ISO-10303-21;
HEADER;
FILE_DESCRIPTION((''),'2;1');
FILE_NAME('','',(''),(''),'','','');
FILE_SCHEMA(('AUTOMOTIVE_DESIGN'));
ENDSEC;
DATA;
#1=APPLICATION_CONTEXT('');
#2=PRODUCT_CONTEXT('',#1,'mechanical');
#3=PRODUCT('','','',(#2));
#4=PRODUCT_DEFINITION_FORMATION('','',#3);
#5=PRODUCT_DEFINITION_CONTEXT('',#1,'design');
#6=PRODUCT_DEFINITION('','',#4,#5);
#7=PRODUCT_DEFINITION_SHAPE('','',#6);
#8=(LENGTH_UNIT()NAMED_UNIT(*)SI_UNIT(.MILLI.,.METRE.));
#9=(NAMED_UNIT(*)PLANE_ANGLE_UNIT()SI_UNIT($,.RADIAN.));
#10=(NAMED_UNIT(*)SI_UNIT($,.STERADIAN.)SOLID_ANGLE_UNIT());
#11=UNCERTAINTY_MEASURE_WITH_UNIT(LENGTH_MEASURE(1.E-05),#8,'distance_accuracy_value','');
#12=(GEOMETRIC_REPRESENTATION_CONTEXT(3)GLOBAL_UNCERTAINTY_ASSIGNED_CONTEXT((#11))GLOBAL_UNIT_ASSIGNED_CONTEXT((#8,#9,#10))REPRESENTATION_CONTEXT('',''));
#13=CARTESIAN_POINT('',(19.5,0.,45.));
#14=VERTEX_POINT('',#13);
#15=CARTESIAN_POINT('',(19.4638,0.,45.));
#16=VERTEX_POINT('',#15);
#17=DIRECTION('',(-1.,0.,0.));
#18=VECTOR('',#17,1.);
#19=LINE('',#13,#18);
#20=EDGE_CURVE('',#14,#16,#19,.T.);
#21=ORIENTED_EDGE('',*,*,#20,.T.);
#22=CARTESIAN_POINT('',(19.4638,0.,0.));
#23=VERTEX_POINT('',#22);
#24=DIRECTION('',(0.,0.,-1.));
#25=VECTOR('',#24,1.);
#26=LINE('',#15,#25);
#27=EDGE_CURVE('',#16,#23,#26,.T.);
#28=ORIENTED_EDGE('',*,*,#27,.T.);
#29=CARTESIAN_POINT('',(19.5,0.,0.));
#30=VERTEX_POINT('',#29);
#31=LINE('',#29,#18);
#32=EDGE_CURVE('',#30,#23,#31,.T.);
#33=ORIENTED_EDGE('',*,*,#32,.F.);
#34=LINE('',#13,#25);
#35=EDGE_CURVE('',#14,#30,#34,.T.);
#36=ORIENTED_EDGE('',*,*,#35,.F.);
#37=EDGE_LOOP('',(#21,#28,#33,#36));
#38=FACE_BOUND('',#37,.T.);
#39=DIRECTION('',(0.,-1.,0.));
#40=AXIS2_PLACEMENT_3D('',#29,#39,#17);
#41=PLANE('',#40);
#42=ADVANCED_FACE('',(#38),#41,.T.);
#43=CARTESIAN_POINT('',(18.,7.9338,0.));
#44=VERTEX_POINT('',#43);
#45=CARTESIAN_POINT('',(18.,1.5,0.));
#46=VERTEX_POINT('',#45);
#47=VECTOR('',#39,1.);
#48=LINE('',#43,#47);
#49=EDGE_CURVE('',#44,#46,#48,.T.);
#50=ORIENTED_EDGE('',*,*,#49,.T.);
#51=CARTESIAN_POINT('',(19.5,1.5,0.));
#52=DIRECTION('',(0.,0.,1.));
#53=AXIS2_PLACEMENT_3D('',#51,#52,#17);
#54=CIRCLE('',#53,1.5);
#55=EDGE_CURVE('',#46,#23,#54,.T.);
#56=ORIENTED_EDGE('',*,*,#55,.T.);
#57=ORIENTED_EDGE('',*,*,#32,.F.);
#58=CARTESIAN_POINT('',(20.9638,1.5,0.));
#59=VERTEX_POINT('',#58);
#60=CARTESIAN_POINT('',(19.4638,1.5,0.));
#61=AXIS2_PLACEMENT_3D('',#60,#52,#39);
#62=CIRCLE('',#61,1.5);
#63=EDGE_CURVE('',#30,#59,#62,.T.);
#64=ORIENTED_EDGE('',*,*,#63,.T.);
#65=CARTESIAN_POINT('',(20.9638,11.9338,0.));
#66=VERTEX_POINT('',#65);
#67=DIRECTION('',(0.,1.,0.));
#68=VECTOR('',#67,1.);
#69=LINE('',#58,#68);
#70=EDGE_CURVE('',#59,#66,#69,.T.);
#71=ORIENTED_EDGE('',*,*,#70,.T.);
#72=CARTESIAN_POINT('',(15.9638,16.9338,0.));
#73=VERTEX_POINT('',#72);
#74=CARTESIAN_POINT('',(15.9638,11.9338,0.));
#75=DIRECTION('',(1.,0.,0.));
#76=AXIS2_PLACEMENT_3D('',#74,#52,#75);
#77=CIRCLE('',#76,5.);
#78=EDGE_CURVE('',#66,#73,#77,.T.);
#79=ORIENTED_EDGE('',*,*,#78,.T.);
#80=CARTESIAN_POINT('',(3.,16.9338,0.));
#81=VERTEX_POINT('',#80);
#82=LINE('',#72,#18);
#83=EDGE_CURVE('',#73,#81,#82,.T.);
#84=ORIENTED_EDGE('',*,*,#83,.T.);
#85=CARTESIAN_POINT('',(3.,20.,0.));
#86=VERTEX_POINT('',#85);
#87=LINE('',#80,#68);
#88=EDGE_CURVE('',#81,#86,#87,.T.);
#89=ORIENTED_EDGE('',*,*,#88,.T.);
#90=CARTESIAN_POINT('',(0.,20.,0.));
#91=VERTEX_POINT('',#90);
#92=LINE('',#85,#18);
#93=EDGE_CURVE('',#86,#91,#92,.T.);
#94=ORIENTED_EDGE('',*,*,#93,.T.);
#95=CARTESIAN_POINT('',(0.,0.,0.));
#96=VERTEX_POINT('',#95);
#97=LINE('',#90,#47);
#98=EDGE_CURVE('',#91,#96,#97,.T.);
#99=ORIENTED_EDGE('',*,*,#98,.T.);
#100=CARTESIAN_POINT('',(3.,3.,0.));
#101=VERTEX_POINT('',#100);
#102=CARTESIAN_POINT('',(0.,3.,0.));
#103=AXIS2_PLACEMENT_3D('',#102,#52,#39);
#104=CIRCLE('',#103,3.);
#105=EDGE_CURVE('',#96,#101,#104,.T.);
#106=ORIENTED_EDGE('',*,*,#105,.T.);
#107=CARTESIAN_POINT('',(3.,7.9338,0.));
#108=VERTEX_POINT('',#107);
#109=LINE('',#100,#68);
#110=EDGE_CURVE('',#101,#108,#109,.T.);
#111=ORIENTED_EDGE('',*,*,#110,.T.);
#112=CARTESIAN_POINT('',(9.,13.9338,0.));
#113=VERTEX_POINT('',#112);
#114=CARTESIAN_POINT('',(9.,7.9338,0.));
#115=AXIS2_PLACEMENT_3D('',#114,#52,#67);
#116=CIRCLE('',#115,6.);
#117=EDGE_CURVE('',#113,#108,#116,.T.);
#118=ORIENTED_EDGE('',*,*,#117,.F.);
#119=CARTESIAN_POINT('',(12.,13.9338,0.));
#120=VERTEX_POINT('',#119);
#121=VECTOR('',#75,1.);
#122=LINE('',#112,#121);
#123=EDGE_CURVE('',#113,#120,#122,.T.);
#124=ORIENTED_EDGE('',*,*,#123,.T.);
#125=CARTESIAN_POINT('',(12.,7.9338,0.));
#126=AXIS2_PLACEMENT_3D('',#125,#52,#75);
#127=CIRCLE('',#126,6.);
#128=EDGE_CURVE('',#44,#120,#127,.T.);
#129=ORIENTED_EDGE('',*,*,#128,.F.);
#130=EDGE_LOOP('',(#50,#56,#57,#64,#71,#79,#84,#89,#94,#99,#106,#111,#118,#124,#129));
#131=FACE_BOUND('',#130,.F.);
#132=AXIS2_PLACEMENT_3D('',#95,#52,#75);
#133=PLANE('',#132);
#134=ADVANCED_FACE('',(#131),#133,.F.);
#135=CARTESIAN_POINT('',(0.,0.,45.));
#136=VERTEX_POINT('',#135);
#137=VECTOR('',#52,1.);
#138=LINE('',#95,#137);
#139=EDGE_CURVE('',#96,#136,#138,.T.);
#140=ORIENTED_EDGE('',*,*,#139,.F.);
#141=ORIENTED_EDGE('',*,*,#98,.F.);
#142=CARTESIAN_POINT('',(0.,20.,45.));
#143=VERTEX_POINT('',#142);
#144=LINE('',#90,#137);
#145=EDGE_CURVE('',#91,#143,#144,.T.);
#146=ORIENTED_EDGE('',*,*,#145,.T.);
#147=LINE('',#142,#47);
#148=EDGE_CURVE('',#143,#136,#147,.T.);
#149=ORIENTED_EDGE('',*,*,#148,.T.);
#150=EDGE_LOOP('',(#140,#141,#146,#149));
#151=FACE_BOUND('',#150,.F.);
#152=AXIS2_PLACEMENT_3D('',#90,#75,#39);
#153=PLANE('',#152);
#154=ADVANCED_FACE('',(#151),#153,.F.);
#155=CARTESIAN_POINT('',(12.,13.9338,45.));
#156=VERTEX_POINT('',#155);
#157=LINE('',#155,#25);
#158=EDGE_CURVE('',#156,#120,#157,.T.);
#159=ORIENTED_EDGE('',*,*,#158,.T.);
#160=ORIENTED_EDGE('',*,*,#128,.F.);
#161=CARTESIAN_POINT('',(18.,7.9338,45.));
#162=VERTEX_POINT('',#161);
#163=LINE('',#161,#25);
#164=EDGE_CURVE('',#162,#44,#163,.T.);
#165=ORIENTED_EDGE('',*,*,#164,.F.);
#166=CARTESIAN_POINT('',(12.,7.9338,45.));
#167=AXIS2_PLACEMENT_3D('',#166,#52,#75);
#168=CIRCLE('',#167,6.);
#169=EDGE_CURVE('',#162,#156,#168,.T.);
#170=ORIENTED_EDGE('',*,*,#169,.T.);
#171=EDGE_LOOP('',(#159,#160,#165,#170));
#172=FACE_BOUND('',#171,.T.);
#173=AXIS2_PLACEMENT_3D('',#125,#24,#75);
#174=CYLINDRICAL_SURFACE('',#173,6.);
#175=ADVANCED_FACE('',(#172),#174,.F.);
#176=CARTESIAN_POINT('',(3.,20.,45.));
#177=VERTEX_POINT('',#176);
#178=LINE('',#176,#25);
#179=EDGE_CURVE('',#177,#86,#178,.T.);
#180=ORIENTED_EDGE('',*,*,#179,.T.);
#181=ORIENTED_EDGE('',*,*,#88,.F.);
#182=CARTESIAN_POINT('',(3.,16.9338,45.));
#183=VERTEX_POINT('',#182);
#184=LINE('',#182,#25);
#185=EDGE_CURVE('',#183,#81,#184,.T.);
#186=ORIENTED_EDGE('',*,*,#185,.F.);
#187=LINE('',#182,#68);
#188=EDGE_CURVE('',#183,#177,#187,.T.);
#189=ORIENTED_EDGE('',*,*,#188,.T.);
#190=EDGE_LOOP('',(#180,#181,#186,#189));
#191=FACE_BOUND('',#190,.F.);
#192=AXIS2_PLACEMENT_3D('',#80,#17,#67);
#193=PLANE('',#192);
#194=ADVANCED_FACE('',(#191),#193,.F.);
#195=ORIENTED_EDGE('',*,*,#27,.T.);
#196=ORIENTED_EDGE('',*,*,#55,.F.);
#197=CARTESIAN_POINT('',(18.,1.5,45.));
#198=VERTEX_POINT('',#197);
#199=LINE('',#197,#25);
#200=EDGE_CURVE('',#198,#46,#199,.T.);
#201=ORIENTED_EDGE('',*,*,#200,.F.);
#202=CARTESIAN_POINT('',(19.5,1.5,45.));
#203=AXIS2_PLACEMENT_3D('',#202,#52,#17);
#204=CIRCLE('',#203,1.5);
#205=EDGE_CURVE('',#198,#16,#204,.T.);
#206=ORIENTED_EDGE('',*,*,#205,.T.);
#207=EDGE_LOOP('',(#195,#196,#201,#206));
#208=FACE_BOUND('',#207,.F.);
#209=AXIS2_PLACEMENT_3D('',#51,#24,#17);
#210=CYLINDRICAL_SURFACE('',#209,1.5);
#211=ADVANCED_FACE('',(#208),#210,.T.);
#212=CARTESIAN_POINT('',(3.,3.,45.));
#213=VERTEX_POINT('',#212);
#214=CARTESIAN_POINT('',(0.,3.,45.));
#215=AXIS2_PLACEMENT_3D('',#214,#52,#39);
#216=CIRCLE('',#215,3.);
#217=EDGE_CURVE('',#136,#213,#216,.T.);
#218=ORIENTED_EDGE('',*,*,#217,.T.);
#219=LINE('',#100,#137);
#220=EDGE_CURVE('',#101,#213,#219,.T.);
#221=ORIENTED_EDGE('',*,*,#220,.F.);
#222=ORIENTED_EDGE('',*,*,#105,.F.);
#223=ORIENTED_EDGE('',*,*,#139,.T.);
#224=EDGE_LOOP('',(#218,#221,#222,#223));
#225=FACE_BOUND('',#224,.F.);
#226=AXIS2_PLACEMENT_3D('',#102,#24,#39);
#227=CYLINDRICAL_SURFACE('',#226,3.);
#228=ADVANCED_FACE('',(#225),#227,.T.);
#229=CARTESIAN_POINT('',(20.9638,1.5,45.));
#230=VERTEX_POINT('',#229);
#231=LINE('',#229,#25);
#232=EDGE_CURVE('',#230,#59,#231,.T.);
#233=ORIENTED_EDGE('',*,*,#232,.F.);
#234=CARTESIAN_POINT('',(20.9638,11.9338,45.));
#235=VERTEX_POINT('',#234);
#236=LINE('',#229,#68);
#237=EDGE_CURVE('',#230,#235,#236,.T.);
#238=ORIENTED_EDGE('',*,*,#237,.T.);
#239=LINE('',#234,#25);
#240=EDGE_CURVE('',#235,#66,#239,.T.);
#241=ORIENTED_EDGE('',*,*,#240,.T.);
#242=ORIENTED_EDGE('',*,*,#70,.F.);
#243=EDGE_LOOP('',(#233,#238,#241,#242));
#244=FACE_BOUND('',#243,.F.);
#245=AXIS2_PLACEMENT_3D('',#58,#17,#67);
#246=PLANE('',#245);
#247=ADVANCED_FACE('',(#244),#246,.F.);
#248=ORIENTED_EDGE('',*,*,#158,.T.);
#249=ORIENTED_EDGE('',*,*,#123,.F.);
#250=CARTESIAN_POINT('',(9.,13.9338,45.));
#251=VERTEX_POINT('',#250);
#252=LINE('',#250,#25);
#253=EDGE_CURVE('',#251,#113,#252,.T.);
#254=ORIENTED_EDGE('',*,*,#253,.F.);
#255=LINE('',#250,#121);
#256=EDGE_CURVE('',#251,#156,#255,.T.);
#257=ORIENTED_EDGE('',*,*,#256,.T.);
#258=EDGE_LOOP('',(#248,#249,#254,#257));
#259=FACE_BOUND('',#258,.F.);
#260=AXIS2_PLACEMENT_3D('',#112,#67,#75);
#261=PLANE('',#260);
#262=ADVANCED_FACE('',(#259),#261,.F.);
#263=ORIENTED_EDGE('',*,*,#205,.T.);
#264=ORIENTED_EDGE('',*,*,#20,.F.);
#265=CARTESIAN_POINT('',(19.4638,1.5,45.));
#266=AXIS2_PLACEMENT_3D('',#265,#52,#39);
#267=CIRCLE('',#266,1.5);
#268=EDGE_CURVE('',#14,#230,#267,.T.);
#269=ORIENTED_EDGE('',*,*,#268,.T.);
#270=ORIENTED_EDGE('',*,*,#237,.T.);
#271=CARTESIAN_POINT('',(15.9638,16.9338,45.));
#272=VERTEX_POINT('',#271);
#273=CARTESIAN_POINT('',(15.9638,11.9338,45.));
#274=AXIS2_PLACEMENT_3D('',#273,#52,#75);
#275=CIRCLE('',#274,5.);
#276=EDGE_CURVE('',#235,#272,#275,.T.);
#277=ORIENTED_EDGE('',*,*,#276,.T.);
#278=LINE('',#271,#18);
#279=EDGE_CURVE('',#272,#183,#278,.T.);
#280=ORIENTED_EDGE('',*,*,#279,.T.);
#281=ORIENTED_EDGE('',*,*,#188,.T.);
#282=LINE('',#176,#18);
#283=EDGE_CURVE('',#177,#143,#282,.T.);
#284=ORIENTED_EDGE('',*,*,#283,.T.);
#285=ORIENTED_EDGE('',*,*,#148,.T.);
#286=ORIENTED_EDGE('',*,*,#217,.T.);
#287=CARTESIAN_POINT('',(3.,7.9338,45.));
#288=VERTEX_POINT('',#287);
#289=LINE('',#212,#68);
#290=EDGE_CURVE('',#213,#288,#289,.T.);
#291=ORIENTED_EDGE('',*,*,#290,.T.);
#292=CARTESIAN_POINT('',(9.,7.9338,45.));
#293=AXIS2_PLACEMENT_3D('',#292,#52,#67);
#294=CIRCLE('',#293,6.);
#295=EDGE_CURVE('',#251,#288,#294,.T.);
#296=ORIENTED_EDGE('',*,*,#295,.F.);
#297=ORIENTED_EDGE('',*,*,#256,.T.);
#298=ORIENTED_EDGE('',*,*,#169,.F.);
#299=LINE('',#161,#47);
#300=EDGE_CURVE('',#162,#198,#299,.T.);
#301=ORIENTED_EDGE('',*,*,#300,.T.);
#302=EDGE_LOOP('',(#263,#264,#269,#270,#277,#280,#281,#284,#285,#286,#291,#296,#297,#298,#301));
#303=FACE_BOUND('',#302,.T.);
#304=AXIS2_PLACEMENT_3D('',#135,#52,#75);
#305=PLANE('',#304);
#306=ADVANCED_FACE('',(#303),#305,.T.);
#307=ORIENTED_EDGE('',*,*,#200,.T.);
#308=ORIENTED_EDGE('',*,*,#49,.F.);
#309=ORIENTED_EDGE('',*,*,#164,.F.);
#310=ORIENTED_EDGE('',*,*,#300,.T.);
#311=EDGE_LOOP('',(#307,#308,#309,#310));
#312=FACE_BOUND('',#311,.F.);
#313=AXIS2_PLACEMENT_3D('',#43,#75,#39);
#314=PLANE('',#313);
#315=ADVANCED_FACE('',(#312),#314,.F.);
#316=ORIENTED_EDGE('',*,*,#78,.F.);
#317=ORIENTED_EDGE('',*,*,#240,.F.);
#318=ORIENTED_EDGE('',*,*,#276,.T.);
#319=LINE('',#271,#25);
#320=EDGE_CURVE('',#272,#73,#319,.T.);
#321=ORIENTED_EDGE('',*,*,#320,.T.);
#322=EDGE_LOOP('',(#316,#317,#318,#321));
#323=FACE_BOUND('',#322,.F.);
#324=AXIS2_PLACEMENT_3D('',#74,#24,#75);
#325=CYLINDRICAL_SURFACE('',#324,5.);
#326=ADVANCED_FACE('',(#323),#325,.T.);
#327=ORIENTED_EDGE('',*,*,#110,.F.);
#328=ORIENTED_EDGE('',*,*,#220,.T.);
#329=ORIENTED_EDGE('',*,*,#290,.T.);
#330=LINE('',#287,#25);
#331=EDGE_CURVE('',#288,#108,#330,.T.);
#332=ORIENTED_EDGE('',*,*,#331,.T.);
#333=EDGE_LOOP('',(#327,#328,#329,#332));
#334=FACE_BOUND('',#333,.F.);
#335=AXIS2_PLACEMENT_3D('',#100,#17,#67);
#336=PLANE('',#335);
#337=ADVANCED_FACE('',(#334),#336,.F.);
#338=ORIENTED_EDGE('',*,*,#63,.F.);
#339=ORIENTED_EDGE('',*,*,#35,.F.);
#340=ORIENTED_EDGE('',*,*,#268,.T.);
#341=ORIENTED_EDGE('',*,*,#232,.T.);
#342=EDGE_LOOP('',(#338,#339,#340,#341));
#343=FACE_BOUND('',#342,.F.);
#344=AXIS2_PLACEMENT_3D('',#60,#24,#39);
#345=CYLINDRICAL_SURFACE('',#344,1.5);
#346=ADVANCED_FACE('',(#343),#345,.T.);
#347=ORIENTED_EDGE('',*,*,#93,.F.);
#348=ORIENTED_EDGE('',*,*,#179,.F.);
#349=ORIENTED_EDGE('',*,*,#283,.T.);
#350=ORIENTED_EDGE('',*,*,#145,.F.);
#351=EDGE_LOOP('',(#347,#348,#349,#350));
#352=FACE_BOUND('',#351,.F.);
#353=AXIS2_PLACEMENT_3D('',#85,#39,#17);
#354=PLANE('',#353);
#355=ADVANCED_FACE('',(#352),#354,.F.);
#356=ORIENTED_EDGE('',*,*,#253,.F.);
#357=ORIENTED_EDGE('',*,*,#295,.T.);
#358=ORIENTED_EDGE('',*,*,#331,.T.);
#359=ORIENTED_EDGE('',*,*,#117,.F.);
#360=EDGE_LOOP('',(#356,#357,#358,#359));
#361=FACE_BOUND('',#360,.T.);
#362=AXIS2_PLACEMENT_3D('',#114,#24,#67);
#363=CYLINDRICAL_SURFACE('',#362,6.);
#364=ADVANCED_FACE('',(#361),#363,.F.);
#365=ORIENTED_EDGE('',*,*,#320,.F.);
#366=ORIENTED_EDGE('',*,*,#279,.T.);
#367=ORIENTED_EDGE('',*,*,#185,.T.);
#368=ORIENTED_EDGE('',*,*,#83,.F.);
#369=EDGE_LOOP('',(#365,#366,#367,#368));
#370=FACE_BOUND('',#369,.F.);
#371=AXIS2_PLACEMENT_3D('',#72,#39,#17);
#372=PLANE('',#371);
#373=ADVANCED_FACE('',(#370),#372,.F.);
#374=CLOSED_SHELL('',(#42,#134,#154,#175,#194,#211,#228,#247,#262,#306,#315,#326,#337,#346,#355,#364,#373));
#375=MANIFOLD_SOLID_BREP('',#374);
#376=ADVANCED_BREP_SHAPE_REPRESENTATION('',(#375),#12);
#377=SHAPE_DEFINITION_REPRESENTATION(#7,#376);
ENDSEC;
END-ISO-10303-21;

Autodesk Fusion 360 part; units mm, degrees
sketch "Sketch1" plane through (0, 0, 0) normal (0, 0, 1) x (1, 0, 0)
  line L0 (0, 20) -> (0, 0)
  line L1 (0, 0) -> (0, 0)
  line L2 (3, 3) -> (3, 7.9338)
  line L3 (9, 13.9338) -> (12, 13.9338)
  line L4 (18, 7.9338) -> (18, 1.5)
  line L5 (19.5, 0) -> (19.4638, 0)
  line L6 (20.9638, 1.5) -> (20.9638, 11.9338)
  line L7 (15.9638, 16.9338) -> (3, 16.9338)
  line L8 (3, 16.9338) -> (3, 20)
  line L9 (3, 20) -> (0, 20)
  arc A0 (20.9638, 11.9338) -> (15.9638, 16.9338) centre (15.9638, 11.9338) ccw
  arc A1 (18, 7.9338) -> (12, 13.9338) centre (12, 7.9338) ccw
  arc A2 (18, 1.5) -> (19.5, 0) centre (19.5, 1.5) ccw
  arc A3 (19.4638, 0) -> (20.9638, 1.5) centre (19.4638, 1.5) ccw
  arc A4 (9, 13.9338) -> (3, 7.9338) centre (9, 7.9338) ccw
  arc A5 (0, 0) -> (3, 3) centre (0, 3) ccw
  dimension "d1" = 5
  dimension "d2" = 6
  dimension "d3" = 1.5
  dimension "d4" = 1.5
  dimension "d5" = 3
  dimension "d6" = 3
  dimension "d7" = 2.9638
  dimension "d9" = 6
  dimension "d10" = 3
  dimension "d11" = 15
  dimension "d13" = 20
extrude "Extrude1" add sketch "Sketch1" along normal blind 5
extrude "Extrude2" add 1 faces at (1.0204, 9.5959, 5) along direction (0, 0, 1) blind 40
